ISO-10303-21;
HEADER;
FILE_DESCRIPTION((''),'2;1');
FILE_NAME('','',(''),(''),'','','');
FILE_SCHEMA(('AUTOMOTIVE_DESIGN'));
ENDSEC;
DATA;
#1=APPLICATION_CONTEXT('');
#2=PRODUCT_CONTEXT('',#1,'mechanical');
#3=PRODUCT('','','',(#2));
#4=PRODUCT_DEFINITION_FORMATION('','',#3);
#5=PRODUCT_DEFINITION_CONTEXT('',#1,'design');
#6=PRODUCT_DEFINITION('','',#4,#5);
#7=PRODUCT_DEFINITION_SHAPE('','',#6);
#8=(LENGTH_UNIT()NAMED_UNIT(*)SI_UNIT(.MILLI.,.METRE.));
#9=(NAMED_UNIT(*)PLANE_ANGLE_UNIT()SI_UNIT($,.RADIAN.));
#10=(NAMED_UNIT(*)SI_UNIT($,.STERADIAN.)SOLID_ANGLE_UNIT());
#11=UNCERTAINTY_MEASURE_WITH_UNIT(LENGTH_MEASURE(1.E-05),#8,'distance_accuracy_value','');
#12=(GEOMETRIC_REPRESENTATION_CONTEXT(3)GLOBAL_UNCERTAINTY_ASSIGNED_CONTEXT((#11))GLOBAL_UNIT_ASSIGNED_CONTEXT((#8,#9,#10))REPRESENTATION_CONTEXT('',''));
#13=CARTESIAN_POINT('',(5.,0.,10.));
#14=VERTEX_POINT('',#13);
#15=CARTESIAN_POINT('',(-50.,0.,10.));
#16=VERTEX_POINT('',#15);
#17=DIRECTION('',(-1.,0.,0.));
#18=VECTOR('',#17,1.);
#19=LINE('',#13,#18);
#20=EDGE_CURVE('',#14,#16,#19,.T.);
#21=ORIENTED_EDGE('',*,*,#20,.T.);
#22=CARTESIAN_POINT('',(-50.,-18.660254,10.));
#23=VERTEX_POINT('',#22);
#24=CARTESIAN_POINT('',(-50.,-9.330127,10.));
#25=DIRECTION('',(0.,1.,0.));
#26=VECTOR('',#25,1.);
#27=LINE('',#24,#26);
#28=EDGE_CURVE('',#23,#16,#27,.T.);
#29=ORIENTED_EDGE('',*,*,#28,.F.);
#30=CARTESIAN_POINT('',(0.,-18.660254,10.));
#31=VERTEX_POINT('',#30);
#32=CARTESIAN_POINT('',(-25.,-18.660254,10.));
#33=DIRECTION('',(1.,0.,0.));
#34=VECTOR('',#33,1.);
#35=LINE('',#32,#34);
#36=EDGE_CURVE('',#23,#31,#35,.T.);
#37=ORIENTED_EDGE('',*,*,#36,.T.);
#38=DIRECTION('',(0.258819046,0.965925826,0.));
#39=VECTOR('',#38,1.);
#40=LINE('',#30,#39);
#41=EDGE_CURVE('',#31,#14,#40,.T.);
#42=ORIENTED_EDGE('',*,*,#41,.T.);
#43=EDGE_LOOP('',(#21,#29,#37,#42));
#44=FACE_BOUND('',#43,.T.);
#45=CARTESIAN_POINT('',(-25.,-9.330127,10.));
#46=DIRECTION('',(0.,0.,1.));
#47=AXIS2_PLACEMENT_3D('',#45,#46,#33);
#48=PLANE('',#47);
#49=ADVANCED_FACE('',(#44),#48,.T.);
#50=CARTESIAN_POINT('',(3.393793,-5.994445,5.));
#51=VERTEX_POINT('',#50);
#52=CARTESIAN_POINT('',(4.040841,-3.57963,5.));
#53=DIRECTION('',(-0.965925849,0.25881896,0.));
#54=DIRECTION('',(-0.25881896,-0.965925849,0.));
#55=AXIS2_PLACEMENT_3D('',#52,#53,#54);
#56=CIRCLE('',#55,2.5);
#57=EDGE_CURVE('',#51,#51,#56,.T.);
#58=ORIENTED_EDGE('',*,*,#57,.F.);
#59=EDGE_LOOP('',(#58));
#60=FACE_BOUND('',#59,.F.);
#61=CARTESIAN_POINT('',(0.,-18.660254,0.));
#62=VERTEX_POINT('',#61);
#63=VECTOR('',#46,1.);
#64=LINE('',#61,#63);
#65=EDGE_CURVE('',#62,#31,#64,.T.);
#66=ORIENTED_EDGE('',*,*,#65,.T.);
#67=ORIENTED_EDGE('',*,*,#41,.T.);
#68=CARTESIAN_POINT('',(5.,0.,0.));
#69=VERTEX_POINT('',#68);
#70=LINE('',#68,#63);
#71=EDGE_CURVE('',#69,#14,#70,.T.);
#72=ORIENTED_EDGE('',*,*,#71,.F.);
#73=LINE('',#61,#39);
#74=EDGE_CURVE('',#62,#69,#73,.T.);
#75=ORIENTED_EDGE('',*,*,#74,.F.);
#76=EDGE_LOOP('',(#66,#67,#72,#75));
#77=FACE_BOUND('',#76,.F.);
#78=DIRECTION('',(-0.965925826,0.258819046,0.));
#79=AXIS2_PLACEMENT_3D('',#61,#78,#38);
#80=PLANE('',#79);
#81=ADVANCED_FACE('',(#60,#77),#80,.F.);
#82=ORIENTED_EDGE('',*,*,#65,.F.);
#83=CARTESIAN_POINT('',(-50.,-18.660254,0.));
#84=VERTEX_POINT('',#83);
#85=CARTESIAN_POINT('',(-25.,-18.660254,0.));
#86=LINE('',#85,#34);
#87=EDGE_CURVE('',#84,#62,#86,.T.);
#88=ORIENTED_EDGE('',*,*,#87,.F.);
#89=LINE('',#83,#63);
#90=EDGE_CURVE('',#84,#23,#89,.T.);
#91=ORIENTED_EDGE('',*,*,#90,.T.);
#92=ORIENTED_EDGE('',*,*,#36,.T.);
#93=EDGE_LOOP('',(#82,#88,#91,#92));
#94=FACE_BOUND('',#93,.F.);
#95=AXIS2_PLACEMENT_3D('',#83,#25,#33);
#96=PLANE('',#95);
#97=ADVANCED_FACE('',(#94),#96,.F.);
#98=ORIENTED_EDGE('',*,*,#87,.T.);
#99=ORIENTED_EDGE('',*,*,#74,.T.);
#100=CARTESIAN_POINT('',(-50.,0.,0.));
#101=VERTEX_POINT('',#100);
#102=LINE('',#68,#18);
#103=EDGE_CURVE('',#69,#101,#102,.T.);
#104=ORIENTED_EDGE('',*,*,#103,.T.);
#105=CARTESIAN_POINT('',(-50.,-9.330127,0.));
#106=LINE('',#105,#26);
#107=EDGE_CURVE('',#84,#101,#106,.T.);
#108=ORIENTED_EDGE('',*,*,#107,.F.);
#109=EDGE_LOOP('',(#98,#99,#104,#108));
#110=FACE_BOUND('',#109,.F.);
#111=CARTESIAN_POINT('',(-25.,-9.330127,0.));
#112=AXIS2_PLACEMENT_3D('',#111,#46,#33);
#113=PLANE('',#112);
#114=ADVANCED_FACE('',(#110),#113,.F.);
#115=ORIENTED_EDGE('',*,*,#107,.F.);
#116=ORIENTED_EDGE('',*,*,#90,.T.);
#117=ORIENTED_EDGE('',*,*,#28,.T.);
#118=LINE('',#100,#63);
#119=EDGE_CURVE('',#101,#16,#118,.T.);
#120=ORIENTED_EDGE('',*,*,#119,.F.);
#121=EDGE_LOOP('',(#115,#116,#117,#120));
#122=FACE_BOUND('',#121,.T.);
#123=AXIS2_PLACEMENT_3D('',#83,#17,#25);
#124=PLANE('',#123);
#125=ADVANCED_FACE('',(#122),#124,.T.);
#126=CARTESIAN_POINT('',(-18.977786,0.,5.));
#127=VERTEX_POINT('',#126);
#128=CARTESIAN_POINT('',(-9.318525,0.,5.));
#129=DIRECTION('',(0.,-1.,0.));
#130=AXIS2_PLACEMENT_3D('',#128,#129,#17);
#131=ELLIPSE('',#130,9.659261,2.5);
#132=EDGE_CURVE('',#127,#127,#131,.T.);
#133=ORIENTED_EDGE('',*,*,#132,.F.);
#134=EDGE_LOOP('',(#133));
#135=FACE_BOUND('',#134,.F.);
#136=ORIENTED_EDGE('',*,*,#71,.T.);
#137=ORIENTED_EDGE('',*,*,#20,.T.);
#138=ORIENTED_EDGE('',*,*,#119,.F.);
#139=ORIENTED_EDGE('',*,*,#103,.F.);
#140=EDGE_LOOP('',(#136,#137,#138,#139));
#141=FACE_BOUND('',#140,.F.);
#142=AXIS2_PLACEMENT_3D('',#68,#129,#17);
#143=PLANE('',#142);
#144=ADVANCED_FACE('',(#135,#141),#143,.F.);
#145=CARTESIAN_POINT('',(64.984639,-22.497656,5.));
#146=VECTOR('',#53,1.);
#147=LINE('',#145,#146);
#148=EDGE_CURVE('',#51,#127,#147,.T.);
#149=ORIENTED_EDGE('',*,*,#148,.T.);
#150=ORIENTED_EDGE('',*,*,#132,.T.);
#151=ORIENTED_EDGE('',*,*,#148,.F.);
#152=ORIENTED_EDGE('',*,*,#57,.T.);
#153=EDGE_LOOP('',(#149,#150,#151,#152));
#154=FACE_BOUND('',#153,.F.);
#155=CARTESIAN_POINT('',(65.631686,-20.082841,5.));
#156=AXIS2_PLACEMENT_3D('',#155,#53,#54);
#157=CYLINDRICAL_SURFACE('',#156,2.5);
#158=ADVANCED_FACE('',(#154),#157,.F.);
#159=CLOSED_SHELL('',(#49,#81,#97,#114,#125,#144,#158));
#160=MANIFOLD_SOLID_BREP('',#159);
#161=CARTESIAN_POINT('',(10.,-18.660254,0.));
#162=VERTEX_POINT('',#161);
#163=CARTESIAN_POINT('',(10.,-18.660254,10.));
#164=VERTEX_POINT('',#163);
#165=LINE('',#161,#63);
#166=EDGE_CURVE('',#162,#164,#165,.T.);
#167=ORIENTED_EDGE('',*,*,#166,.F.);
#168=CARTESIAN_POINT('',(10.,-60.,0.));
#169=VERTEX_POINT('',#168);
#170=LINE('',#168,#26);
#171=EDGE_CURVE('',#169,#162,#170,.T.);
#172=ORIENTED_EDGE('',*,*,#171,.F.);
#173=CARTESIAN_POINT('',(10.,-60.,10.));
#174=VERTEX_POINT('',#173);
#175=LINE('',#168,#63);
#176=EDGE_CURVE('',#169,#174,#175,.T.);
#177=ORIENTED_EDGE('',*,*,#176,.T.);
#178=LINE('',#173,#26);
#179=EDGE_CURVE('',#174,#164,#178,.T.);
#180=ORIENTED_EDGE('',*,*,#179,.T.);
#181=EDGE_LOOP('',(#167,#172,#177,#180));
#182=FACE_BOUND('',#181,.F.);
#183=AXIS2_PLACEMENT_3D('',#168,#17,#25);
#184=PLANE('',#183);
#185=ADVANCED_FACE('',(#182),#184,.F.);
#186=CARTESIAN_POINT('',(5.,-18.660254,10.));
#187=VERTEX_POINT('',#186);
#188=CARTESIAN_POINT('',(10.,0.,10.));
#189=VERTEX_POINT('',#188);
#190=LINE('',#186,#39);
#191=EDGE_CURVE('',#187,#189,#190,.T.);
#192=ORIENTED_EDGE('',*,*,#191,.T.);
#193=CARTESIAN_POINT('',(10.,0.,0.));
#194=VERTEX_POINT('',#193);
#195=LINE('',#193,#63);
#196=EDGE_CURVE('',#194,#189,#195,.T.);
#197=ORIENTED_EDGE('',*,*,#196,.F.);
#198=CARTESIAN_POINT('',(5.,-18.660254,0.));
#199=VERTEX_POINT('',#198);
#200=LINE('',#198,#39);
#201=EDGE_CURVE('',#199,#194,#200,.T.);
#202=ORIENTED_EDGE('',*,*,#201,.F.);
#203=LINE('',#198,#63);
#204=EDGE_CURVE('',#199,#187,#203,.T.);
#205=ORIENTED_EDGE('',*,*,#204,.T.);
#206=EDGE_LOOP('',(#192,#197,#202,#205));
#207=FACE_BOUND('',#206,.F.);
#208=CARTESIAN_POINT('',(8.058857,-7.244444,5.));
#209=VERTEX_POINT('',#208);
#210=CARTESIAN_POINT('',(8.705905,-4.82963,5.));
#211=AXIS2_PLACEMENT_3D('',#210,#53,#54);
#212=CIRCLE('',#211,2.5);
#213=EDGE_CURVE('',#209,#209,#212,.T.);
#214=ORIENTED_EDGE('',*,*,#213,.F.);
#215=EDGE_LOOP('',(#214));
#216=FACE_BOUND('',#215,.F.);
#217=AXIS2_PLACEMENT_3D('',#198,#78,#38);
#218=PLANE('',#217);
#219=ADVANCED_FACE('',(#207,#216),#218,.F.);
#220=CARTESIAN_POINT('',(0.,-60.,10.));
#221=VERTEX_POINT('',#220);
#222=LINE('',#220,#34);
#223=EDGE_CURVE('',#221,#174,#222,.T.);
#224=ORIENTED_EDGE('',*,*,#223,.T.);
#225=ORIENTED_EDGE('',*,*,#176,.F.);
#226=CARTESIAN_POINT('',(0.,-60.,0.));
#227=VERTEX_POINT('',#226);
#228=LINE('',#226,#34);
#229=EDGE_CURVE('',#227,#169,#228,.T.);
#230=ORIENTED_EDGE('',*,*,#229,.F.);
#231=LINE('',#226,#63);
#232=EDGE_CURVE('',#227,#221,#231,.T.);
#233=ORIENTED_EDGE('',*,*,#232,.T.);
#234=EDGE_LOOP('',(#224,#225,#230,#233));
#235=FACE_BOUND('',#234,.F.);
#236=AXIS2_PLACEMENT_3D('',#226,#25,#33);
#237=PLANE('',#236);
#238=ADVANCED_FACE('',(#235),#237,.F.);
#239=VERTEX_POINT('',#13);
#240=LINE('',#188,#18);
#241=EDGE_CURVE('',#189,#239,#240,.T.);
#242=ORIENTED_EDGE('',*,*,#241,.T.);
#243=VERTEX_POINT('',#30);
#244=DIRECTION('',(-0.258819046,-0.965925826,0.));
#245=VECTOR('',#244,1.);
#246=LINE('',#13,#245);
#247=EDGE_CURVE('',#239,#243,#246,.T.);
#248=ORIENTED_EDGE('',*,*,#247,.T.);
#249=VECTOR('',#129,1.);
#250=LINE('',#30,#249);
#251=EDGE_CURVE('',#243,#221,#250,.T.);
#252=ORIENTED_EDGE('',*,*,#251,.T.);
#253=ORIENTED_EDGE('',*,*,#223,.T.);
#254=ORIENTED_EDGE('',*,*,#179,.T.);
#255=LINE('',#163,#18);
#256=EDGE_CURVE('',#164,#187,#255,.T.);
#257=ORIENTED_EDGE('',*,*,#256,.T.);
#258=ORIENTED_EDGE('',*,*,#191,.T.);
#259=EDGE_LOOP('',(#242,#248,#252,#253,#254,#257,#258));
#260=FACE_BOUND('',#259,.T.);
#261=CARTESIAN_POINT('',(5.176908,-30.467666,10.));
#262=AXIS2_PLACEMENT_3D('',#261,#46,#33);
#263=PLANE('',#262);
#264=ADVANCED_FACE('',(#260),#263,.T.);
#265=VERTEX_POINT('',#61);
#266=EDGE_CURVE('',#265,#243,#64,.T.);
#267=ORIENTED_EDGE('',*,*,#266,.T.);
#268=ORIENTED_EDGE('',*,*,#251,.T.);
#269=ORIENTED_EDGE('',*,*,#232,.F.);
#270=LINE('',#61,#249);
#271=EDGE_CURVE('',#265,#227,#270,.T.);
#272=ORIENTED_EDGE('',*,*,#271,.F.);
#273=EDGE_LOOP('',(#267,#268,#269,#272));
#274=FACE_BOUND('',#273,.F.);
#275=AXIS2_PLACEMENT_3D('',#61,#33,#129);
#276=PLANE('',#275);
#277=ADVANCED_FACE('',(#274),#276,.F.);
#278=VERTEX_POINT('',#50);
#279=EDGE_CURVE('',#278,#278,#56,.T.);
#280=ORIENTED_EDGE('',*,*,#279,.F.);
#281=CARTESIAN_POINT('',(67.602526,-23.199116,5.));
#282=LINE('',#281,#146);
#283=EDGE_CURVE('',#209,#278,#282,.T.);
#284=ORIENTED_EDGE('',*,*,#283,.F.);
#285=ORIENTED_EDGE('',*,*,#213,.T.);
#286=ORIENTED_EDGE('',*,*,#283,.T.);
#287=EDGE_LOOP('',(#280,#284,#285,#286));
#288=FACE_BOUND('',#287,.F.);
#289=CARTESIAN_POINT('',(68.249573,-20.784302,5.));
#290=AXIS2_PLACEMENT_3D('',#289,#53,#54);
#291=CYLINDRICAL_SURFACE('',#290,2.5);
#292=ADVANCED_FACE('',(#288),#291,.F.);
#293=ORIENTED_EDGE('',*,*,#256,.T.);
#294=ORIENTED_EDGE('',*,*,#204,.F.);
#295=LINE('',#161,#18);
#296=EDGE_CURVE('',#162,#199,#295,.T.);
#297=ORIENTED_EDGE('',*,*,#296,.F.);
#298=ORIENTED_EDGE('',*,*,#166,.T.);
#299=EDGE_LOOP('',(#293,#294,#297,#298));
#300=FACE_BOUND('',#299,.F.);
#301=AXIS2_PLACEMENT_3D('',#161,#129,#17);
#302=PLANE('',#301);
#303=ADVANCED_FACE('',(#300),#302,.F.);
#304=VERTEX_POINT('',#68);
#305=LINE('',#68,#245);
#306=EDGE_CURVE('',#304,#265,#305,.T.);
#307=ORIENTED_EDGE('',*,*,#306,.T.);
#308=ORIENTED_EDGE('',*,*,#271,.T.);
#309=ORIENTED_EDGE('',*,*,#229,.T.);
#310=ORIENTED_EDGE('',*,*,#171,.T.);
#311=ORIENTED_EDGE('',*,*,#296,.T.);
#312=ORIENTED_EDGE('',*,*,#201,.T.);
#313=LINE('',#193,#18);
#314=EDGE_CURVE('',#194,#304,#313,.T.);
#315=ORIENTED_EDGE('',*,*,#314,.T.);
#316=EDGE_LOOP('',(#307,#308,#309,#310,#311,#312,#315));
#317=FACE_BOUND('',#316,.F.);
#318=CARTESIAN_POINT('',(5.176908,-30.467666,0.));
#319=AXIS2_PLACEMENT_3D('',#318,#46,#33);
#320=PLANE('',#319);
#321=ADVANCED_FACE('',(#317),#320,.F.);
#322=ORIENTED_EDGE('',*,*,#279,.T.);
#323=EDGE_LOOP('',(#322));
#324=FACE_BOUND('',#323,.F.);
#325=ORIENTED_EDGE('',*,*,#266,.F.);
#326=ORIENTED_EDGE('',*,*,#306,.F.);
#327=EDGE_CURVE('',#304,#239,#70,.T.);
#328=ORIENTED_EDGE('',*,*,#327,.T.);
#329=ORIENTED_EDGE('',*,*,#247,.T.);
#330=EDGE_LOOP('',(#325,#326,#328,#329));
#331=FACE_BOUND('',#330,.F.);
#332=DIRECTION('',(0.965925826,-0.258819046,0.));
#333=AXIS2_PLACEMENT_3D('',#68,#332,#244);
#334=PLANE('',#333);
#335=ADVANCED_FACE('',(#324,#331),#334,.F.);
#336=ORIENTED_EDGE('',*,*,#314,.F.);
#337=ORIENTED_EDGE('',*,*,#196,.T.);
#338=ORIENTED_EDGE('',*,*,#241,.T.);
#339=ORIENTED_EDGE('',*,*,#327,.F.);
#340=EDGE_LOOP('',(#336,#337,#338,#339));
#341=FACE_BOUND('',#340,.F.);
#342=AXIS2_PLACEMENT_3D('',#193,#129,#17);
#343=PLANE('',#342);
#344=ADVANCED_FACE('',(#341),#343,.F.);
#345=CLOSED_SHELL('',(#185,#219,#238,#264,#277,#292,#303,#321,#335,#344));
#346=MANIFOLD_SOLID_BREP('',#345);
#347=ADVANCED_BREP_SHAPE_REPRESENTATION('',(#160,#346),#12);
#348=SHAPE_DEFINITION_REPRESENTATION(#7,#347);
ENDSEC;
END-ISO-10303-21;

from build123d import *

# Parameters (mm, degrees)
F1_DEPTH = 10
F0_W     = 50
F0_H     = 18.660254
F2_DEPTH = 10
F4_D     = 5
F4_2_D   = 5


with BuildPart() as f1:
    # F0 (on Top) → F1 (new body)
    with BuildSketch(Plane.XY):
        Polygon((10, 0), (5, 0), (0, -18.660254), (0, -60), (10, -60), (10, -18.660254), (5, -18.660254), align=None)
    extrude(amount=F1_DEPTH)

    # F4 (through all)
    with Locations(Plane(origin=(9.330127, -2.5, 0), x_dir=(0.258819, 0.965926, 0), z_dir=(0.965926, -0.258819, 0))):
        with Locations((-2.41181, 5)):
            Hole(F4_D / 2)


with BuildPart() as f2:
    # F0 (on Top) → F2 (new body)
    with BuildSketch(Plane.XY):
        with Locations((-25, -9.330127)):
            Rectangle(F0_W, F0_H)
        Polygon((5, 0), (0, 0), (0, -18.660254), align=None)
    extrude(amount=F2_DEPTH)

    # F4#2 (through all)
    with Locations(Plane(origin=(9.330127, -2.5, 0), x_dir=(0.258819, 0.965926, 0), z_dir=(0.965926, -0.258819, 0))):
        with Locations((-2.41181, 5)):
            Hole(F4_2_D / 2)


solid = Compound([f1.part, f2.part])
